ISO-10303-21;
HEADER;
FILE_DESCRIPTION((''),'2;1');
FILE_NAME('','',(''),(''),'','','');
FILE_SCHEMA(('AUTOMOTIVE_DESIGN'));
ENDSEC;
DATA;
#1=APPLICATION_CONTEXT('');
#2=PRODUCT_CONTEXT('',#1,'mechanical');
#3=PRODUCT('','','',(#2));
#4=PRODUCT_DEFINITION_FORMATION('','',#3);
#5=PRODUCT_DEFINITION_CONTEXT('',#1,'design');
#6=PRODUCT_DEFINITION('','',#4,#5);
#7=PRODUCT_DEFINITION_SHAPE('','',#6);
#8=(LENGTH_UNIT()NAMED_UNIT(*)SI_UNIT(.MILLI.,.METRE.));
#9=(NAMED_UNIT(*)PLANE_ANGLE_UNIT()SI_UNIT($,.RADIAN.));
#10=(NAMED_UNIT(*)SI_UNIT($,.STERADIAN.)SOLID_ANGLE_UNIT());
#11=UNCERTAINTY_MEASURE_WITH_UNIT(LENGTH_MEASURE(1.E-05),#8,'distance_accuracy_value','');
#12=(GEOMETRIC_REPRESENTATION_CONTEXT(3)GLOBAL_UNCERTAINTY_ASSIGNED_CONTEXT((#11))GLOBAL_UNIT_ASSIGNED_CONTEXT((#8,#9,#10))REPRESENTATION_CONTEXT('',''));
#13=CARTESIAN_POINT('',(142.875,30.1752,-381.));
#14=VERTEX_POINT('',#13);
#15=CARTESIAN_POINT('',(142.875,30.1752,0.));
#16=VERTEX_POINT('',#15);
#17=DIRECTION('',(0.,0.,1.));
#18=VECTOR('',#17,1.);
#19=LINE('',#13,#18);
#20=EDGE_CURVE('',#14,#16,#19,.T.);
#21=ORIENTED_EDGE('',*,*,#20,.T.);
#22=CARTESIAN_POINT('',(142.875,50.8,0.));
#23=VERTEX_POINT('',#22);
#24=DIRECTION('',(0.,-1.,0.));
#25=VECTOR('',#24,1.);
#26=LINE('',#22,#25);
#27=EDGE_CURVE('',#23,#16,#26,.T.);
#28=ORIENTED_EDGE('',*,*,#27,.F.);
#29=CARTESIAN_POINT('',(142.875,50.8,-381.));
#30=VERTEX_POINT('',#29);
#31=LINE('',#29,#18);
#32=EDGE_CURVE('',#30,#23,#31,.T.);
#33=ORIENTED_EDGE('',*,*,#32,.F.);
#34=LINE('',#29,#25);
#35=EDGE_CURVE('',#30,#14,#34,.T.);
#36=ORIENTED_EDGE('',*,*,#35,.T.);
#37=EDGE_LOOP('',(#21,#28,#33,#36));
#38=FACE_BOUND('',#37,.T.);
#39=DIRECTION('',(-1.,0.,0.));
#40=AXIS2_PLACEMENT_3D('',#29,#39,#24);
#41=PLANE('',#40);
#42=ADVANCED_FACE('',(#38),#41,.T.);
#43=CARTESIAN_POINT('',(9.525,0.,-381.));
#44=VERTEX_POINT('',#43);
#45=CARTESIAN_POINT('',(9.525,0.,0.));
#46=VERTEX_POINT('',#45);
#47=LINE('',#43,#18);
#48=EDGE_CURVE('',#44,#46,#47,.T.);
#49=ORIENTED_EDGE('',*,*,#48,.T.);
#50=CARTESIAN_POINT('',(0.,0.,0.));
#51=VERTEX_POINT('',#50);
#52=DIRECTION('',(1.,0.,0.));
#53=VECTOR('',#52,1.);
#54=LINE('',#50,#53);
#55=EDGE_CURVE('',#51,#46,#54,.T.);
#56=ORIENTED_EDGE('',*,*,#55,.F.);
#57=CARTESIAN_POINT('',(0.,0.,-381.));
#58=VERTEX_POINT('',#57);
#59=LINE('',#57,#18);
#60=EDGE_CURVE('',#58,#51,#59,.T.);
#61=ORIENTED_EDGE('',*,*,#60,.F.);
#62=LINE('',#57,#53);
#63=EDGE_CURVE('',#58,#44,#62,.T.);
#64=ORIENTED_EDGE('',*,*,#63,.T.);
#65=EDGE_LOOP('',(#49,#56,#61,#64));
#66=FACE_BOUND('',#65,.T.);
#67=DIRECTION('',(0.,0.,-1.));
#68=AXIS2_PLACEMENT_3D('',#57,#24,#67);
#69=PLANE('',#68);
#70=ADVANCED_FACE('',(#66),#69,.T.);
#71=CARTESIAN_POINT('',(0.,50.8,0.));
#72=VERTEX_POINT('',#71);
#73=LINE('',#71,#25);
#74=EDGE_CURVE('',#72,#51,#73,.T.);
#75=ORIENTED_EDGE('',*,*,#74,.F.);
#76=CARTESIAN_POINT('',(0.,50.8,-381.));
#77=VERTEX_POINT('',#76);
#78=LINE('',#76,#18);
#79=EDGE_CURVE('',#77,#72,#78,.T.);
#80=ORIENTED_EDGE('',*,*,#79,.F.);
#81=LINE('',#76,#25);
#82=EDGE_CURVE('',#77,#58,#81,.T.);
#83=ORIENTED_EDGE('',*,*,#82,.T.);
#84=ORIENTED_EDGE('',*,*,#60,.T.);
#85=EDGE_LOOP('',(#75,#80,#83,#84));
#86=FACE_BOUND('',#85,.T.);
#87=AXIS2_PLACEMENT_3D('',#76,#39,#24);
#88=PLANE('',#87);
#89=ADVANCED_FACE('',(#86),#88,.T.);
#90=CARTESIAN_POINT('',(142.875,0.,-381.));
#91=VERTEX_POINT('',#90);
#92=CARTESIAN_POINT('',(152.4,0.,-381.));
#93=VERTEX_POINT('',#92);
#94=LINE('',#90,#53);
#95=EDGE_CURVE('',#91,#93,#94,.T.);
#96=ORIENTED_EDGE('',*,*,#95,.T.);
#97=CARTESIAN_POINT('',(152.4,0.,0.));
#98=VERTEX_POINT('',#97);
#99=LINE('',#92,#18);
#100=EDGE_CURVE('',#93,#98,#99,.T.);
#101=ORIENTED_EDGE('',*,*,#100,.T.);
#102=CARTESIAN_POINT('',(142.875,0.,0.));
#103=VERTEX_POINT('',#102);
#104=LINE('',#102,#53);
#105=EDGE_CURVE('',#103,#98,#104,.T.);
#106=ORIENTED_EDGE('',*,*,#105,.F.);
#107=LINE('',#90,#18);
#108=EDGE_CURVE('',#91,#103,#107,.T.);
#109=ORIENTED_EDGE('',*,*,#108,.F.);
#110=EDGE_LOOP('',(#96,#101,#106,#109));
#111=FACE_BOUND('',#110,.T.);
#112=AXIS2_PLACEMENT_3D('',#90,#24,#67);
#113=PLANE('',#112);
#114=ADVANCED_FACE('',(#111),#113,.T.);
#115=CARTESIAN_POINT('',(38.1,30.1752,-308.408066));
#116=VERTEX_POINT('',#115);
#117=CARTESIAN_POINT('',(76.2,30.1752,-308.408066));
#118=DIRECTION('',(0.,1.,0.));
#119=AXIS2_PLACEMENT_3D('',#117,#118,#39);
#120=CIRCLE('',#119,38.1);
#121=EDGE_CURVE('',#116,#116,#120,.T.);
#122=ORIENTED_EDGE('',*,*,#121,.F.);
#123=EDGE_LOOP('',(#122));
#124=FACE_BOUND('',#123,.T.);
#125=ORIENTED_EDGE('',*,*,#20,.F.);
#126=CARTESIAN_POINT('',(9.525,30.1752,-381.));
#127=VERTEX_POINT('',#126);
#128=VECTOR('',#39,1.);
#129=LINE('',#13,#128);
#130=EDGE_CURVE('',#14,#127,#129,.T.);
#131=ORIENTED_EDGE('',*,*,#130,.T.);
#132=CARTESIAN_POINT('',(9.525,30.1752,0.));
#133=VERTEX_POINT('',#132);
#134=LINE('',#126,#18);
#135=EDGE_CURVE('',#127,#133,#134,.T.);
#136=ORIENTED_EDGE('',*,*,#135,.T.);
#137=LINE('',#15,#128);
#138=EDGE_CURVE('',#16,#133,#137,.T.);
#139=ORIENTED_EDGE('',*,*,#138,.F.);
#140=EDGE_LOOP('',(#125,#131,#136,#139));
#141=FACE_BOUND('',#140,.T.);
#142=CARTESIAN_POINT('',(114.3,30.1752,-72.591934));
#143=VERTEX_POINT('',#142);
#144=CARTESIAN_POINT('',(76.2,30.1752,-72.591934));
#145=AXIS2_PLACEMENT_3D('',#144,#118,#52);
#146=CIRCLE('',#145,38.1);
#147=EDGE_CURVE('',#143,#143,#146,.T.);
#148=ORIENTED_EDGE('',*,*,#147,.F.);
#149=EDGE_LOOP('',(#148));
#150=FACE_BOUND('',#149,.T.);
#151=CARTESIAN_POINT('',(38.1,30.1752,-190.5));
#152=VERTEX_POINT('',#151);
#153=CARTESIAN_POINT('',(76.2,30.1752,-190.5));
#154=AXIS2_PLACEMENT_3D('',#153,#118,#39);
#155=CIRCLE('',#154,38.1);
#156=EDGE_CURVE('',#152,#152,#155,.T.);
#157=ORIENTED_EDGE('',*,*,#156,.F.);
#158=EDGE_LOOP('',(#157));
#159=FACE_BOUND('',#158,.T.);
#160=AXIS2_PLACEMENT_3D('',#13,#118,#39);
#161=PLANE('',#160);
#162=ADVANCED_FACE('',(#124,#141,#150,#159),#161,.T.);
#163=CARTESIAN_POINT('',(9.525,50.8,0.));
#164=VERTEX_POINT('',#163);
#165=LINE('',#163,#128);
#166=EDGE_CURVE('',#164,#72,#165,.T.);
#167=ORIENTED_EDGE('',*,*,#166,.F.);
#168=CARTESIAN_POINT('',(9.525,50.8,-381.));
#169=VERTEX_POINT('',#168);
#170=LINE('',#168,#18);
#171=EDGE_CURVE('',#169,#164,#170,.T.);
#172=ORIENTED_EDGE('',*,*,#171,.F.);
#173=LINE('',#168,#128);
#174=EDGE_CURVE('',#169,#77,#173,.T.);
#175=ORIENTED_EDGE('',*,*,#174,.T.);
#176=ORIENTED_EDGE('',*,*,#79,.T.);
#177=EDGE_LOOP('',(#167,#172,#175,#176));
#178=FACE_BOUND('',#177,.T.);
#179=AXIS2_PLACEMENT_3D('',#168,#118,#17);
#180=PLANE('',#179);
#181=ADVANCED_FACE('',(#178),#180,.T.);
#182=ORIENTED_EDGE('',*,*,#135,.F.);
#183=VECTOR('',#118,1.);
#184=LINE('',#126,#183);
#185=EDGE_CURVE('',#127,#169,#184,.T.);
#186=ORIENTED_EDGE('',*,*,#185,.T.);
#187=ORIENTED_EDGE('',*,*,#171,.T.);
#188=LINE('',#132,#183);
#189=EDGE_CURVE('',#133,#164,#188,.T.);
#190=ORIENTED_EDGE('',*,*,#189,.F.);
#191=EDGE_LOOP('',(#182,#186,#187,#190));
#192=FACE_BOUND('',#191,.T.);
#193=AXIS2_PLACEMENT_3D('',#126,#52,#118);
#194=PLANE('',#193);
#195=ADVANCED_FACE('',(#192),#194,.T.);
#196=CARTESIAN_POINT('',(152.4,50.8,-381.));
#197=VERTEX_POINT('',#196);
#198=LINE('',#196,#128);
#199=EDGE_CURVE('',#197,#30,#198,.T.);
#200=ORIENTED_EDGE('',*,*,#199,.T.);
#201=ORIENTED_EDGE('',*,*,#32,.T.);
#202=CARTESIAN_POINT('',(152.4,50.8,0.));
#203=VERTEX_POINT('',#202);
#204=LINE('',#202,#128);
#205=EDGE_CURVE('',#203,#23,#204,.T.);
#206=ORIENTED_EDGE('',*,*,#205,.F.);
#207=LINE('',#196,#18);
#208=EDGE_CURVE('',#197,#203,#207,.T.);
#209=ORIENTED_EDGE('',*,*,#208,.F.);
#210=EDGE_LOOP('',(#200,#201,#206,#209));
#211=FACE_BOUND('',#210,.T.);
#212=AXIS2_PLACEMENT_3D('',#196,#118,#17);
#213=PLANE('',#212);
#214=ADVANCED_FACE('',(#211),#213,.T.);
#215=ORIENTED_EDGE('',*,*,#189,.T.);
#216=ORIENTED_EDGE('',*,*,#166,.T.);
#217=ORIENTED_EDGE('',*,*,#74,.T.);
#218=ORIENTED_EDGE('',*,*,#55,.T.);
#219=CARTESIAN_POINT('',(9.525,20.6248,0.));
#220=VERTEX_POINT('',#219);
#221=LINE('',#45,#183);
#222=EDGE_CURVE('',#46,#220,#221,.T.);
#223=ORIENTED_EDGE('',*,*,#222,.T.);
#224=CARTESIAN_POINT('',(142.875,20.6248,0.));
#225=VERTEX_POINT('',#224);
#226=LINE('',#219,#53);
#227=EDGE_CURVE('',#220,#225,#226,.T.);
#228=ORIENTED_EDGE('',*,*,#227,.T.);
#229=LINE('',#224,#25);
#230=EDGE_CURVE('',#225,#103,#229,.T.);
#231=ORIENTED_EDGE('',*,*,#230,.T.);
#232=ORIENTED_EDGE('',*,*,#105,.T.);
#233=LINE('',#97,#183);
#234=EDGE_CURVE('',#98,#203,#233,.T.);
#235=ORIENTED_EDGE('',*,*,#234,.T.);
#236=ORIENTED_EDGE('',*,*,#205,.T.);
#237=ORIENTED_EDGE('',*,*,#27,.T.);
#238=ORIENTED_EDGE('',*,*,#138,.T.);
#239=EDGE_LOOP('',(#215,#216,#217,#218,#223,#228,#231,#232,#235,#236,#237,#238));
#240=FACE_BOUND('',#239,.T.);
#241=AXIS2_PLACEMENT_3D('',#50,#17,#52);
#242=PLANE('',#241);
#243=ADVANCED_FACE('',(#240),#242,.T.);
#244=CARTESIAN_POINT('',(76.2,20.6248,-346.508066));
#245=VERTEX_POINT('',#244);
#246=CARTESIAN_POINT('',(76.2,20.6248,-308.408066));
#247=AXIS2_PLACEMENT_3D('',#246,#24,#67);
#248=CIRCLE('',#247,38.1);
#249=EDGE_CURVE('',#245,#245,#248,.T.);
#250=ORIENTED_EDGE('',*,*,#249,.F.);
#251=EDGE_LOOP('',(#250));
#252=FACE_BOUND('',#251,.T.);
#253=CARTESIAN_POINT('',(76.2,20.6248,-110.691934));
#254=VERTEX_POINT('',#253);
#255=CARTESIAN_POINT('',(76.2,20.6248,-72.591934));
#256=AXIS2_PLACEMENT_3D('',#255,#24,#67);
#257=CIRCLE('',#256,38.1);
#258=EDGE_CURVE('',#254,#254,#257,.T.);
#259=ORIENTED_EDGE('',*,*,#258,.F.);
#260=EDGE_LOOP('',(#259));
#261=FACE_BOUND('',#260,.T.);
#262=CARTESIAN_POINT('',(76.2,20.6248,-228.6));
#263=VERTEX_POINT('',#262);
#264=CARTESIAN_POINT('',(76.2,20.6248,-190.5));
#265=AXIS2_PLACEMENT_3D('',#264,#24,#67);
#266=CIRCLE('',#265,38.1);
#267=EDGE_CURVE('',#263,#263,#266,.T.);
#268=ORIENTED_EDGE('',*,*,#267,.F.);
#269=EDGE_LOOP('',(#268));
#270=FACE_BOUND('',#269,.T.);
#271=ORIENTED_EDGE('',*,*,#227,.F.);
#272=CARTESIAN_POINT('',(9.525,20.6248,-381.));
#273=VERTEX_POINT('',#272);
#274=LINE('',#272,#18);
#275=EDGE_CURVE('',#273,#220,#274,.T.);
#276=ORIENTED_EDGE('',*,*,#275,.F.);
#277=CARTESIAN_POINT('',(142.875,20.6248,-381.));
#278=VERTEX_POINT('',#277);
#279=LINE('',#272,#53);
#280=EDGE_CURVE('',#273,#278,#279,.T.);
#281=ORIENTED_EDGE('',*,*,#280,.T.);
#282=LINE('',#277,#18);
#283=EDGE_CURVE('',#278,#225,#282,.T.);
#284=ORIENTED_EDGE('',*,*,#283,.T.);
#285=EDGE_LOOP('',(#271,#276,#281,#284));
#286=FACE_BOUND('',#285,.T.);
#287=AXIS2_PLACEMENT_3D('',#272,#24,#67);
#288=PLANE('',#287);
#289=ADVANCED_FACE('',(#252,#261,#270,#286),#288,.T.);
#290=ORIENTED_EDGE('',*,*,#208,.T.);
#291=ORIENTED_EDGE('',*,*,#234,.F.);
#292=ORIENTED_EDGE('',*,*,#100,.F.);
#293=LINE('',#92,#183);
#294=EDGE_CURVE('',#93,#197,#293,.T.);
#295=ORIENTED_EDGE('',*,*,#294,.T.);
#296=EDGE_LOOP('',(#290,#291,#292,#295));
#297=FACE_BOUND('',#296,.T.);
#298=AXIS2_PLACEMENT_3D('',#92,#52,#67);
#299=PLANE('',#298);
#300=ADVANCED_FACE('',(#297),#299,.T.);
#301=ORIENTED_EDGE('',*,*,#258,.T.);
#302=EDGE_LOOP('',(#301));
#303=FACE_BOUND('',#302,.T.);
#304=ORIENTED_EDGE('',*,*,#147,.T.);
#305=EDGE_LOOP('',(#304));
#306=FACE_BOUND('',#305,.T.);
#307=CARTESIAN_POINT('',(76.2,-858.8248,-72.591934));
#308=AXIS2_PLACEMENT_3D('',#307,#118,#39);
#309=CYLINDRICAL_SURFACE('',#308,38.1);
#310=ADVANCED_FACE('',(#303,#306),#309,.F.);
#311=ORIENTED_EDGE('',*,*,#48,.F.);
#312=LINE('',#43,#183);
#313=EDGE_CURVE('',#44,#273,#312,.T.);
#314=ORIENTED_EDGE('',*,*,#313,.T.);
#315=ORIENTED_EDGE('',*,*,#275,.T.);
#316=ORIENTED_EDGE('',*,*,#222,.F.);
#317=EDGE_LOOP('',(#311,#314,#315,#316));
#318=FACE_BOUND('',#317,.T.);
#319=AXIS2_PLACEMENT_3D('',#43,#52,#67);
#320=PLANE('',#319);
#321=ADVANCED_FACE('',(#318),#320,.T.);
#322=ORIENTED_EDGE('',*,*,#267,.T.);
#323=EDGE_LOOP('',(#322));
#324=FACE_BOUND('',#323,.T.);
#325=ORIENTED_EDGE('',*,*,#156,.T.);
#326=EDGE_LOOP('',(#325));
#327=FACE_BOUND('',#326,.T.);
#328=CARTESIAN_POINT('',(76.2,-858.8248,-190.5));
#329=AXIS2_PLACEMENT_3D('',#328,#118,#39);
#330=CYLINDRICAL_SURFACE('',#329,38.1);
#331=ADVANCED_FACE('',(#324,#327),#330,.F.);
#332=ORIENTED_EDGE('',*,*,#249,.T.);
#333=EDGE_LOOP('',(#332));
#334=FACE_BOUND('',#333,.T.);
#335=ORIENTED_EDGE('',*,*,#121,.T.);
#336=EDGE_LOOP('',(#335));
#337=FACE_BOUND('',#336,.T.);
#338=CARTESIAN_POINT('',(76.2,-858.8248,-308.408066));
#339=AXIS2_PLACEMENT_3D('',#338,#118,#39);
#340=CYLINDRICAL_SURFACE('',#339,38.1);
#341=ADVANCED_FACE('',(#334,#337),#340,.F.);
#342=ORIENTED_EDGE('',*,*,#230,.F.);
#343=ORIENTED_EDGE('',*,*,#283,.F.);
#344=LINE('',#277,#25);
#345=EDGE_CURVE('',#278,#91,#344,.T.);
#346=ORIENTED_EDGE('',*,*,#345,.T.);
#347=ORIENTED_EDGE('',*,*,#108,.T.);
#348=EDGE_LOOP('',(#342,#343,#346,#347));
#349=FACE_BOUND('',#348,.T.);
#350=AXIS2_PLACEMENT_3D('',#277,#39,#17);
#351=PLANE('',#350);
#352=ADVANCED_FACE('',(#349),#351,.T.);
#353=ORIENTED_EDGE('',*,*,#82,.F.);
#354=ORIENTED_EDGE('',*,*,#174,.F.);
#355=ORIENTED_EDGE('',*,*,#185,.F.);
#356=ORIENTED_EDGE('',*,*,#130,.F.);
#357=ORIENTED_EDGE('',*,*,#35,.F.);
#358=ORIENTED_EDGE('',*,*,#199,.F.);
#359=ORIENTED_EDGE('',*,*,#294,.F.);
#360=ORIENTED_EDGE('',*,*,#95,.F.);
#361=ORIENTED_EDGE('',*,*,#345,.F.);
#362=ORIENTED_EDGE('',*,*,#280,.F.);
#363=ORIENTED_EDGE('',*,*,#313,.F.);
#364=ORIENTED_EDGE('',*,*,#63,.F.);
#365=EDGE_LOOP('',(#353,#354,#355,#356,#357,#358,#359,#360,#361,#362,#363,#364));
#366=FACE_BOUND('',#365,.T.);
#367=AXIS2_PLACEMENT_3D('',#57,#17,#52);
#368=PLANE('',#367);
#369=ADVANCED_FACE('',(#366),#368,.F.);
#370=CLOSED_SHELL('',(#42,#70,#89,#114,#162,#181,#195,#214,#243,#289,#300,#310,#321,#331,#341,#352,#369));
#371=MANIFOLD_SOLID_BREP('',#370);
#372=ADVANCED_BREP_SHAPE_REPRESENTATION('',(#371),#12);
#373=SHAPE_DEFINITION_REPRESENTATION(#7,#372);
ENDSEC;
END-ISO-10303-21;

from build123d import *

# Parameters (mm, degrees)
BOSS_EXTRUDE1_DEPTH = 381
SKETCH2_R           = 38.1
CUT_EXTRUDE1_DEPTH  = 889


with BuildPart() as part:
    # Sketch1 → Boss-Extrude1 (new body)
    with BuildSketch(Plane.XY):
        Polygon((0, 0), (9.525, 0), (9.525, 20.6248), (142.875, 20.6248), (142.875, 0), (152.4, 0), (152.4, 50.8), (142.875, 50.8), (142.875, 30.1752), (9.525, 30.1752), (9.525, 50.8), (0, 50.8), align=None)
    extrude(amount=-BOSS_EXTRUDE1_DEPTH)

    # Sketch2 → Cut-Extrude1 (cut)
    with BuildSketch(Plane(origin=(0, 30.1752, 0), x_dir=(-1, 0, 0), z_dir=(0, 1, 0))):
        with Locations((-76.2, -308.408066116)):
            Circle(SKETCH2_R)
        with Locations((-76.2, -190.5)):
            Circle(SKETCH2_R)
        with Locations(Location((-76.2, -72.591933884, 0), (0, 0, 270))):
            Circle(SKETCH2_R)
    extrude(amount=-CUT_EXTRUDE1_DEPTH, mode=Mode.SUBTRACT)


solid = part.part
